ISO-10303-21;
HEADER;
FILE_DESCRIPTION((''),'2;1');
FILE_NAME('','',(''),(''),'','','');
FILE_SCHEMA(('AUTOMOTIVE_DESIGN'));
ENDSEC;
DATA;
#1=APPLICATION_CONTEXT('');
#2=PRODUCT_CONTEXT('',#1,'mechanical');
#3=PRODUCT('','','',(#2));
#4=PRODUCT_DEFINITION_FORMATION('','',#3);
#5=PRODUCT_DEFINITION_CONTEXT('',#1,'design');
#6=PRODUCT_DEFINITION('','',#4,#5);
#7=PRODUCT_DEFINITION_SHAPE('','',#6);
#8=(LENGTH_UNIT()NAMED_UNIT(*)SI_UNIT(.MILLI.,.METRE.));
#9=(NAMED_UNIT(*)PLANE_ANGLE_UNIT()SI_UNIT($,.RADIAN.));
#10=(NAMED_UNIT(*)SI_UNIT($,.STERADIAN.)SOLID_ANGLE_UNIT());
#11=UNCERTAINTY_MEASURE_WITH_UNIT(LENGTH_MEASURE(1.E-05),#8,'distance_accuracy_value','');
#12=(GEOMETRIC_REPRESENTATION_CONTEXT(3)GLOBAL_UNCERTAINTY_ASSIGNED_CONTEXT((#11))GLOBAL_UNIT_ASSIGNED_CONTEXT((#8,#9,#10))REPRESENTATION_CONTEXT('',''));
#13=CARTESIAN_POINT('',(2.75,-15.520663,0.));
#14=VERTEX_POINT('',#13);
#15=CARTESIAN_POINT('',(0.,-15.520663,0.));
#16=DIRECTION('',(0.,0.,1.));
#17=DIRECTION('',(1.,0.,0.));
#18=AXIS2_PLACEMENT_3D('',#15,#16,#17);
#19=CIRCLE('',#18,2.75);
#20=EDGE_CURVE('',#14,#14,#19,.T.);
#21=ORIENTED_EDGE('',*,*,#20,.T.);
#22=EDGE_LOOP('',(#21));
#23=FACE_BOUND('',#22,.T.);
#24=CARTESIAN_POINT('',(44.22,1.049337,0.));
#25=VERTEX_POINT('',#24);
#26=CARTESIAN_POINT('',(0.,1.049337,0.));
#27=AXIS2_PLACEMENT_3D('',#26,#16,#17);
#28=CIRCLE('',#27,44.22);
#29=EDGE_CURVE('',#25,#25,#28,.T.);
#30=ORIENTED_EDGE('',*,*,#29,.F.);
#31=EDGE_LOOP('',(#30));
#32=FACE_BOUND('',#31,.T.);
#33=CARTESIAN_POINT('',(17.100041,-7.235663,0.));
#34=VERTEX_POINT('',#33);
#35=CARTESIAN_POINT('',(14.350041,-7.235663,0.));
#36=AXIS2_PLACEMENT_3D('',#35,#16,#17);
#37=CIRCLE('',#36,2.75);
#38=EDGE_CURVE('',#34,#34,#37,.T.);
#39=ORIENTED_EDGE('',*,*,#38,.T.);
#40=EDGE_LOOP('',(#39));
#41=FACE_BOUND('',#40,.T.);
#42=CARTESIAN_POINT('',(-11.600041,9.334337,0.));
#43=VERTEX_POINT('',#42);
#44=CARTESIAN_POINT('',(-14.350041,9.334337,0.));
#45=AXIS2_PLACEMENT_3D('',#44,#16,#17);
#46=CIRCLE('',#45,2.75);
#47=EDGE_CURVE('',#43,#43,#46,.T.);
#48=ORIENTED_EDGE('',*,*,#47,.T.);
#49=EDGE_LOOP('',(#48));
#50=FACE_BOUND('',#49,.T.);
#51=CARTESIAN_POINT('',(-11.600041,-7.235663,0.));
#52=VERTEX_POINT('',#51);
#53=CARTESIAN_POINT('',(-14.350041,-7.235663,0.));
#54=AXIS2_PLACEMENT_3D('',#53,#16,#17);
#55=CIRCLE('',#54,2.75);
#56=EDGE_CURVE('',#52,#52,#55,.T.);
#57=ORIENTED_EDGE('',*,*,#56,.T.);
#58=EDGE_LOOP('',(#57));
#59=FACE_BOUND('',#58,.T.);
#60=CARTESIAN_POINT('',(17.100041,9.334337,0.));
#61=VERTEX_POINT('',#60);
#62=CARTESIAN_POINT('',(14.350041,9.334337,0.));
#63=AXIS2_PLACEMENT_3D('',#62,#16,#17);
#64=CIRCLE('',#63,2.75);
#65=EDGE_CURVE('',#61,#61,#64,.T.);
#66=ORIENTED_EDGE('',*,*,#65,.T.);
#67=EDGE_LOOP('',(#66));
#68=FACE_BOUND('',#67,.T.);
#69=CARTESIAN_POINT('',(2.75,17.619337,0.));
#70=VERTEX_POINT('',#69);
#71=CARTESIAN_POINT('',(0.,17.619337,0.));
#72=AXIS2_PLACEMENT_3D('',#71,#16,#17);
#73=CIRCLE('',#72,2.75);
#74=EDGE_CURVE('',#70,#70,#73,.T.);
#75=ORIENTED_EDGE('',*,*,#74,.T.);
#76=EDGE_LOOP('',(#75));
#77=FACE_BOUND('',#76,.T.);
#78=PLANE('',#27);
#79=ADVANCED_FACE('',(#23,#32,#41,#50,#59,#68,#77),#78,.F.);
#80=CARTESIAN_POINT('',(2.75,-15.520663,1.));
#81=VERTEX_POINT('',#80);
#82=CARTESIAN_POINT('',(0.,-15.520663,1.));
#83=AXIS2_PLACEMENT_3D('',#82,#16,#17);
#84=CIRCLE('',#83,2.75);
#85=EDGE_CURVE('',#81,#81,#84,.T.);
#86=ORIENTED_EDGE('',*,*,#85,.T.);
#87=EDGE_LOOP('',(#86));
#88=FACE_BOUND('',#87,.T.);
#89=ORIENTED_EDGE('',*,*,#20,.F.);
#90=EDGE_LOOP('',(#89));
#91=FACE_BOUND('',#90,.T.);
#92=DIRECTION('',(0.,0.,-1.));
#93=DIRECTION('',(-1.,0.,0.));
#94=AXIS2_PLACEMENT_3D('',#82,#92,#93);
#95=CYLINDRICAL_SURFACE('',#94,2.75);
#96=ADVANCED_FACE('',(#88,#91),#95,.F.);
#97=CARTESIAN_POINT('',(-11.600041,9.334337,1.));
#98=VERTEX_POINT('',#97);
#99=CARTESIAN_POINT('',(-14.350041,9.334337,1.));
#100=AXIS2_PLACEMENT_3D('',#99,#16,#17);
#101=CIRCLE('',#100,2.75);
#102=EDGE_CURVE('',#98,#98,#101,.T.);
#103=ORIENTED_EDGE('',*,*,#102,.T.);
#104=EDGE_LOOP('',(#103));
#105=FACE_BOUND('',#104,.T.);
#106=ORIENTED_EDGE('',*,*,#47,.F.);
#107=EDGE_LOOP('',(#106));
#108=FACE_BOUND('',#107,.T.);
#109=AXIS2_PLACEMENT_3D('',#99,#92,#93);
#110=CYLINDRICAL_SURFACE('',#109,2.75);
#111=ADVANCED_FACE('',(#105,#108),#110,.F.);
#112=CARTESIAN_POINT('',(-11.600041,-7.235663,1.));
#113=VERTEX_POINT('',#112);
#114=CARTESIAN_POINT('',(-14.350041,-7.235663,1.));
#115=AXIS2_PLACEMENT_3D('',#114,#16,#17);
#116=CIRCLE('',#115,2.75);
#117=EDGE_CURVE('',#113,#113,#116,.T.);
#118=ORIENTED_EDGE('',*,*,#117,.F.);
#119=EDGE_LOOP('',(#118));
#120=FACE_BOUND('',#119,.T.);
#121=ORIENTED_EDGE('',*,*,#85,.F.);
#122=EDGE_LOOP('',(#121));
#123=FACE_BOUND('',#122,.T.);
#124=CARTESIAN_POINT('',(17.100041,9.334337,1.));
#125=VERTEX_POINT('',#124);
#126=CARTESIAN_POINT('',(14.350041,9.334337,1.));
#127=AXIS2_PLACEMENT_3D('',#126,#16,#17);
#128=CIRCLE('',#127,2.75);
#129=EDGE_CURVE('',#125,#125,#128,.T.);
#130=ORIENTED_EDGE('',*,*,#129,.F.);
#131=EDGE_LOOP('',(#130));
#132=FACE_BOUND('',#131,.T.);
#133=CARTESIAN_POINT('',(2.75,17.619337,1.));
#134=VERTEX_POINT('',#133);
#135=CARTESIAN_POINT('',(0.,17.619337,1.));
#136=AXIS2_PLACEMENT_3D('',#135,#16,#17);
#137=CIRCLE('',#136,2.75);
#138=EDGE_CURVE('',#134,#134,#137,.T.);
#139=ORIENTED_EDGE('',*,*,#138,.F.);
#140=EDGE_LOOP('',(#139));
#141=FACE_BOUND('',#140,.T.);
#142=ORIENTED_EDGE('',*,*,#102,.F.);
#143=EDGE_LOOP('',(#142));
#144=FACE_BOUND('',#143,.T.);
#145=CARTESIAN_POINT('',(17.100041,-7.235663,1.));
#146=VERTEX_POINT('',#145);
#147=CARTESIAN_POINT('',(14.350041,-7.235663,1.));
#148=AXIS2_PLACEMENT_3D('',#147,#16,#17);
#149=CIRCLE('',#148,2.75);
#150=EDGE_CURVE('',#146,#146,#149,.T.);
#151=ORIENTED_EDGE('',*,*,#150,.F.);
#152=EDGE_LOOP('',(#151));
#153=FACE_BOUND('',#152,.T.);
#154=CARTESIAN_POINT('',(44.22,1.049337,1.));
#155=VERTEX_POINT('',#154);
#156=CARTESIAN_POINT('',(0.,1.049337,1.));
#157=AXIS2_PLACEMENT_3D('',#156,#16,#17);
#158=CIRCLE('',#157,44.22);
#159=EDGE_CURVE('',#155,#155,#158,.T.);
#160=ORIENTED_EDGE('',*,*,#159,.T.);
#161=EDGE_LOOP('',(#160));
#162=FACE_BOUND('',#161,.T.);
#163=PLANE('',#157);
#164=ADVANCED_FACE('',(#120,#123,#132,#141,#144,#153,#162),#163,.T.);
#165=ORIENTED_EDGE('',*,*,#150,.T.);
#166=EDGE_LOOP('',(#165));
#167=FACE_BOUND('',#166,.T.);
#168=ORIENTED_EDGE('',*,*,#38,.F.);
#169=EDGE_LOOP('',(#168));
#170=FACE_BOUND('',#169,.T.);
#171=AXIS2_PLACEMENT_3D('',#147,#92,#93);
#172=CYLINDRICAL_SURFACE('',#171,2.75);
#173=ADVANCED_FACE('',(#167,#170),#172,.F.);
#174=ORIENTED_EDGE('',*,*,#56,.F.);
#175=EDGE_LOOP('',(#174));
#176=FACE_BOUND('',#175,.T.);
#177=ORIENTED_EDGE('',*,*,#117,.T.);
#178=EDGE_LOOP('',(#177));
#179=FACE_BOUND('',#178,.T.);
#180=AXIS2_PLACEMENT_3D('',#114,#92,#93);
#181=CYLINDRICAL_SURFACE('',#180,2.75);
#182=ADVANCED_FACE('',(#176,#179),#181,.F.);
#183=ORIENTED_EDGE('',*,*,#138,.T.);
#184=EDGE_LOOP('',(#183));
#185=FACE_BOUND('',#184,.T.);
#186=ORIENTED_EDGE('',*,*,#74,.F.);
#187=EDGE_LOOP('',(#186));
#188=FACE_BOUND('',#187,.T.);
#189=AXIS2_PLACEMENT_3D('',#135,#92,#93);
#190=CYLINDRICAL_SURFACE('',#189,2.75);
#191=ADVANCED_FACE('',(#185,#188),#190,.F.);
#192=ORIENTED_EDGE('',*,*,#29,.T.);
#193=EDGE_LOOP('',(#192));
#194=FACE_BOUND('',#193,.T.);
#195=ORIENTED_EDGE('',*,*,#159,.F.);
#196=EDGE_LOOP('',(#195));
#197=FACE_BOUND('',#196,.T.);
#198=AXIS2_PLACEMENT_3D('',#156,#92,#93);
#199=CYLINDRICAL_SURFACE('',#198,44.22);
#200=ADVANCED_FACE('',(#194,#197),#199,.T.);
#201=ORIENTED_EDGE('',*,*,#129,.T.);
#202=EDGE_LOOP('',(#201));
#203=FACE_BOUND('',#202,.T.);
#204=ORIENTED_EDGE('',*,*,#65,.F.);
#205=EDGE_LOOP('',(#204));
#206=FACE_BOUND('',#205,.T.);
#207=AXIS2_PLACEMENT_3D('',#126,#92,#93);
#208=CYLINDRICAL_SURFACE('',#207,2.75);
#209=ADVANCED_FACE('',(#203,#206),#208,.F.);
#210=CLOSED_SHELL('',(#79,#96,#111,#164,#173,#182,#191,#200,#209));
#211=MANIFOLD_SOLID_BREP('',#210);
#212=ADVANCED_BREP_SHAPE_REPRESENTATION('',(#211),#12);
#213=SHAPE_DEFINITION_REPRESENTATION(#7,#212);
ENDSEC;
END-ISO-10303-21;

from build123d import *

# Parameters (mm, degrees)
SKETCH1_R           = 44.22
SKETCH1_R_2         = 2.75
BOSS_EXTRUDE1_DEPTH = 1


with BuildPart() as part:
    # Sketch1 → Boss-Extrude1 (new body)
    with BuildSketch(Plane.XY):
        with Locations((0, 1.049337112)):
            Circle(SKETCH1_R)
        with Locations((0, 17.619337112)):
            Circle(SKETCH1_R_2, mode=Mode.SUBTRACT)
        with Locations((14.350040941, 9.334337112)):
            Circle(SKETCH1_R_2, mode=Mode.SUBTRACT)
        with Locations((14.350040941, -7.235662888)):
            Circle(SKETCH1_R_2, mode=Mode.SUBTRACT)
        with Locations((0, -15.520662888)):
            Circle(SKETCH1_R_2, mode=Mode.SUBTRACT)
        with Locations((-14.350040941, -7.235662888)):
            Circle(SKETCH1_R_2, mode=Mode.SUBTRACT)
        with Locations((-14.350040941, 9.334337112)):
            Circle(SKETCH1_R_2, mode=Mode.SUBTRACT)
    extrude(amount=BOSS_EXTRUDE1_DEPTH)


solid = part.part
